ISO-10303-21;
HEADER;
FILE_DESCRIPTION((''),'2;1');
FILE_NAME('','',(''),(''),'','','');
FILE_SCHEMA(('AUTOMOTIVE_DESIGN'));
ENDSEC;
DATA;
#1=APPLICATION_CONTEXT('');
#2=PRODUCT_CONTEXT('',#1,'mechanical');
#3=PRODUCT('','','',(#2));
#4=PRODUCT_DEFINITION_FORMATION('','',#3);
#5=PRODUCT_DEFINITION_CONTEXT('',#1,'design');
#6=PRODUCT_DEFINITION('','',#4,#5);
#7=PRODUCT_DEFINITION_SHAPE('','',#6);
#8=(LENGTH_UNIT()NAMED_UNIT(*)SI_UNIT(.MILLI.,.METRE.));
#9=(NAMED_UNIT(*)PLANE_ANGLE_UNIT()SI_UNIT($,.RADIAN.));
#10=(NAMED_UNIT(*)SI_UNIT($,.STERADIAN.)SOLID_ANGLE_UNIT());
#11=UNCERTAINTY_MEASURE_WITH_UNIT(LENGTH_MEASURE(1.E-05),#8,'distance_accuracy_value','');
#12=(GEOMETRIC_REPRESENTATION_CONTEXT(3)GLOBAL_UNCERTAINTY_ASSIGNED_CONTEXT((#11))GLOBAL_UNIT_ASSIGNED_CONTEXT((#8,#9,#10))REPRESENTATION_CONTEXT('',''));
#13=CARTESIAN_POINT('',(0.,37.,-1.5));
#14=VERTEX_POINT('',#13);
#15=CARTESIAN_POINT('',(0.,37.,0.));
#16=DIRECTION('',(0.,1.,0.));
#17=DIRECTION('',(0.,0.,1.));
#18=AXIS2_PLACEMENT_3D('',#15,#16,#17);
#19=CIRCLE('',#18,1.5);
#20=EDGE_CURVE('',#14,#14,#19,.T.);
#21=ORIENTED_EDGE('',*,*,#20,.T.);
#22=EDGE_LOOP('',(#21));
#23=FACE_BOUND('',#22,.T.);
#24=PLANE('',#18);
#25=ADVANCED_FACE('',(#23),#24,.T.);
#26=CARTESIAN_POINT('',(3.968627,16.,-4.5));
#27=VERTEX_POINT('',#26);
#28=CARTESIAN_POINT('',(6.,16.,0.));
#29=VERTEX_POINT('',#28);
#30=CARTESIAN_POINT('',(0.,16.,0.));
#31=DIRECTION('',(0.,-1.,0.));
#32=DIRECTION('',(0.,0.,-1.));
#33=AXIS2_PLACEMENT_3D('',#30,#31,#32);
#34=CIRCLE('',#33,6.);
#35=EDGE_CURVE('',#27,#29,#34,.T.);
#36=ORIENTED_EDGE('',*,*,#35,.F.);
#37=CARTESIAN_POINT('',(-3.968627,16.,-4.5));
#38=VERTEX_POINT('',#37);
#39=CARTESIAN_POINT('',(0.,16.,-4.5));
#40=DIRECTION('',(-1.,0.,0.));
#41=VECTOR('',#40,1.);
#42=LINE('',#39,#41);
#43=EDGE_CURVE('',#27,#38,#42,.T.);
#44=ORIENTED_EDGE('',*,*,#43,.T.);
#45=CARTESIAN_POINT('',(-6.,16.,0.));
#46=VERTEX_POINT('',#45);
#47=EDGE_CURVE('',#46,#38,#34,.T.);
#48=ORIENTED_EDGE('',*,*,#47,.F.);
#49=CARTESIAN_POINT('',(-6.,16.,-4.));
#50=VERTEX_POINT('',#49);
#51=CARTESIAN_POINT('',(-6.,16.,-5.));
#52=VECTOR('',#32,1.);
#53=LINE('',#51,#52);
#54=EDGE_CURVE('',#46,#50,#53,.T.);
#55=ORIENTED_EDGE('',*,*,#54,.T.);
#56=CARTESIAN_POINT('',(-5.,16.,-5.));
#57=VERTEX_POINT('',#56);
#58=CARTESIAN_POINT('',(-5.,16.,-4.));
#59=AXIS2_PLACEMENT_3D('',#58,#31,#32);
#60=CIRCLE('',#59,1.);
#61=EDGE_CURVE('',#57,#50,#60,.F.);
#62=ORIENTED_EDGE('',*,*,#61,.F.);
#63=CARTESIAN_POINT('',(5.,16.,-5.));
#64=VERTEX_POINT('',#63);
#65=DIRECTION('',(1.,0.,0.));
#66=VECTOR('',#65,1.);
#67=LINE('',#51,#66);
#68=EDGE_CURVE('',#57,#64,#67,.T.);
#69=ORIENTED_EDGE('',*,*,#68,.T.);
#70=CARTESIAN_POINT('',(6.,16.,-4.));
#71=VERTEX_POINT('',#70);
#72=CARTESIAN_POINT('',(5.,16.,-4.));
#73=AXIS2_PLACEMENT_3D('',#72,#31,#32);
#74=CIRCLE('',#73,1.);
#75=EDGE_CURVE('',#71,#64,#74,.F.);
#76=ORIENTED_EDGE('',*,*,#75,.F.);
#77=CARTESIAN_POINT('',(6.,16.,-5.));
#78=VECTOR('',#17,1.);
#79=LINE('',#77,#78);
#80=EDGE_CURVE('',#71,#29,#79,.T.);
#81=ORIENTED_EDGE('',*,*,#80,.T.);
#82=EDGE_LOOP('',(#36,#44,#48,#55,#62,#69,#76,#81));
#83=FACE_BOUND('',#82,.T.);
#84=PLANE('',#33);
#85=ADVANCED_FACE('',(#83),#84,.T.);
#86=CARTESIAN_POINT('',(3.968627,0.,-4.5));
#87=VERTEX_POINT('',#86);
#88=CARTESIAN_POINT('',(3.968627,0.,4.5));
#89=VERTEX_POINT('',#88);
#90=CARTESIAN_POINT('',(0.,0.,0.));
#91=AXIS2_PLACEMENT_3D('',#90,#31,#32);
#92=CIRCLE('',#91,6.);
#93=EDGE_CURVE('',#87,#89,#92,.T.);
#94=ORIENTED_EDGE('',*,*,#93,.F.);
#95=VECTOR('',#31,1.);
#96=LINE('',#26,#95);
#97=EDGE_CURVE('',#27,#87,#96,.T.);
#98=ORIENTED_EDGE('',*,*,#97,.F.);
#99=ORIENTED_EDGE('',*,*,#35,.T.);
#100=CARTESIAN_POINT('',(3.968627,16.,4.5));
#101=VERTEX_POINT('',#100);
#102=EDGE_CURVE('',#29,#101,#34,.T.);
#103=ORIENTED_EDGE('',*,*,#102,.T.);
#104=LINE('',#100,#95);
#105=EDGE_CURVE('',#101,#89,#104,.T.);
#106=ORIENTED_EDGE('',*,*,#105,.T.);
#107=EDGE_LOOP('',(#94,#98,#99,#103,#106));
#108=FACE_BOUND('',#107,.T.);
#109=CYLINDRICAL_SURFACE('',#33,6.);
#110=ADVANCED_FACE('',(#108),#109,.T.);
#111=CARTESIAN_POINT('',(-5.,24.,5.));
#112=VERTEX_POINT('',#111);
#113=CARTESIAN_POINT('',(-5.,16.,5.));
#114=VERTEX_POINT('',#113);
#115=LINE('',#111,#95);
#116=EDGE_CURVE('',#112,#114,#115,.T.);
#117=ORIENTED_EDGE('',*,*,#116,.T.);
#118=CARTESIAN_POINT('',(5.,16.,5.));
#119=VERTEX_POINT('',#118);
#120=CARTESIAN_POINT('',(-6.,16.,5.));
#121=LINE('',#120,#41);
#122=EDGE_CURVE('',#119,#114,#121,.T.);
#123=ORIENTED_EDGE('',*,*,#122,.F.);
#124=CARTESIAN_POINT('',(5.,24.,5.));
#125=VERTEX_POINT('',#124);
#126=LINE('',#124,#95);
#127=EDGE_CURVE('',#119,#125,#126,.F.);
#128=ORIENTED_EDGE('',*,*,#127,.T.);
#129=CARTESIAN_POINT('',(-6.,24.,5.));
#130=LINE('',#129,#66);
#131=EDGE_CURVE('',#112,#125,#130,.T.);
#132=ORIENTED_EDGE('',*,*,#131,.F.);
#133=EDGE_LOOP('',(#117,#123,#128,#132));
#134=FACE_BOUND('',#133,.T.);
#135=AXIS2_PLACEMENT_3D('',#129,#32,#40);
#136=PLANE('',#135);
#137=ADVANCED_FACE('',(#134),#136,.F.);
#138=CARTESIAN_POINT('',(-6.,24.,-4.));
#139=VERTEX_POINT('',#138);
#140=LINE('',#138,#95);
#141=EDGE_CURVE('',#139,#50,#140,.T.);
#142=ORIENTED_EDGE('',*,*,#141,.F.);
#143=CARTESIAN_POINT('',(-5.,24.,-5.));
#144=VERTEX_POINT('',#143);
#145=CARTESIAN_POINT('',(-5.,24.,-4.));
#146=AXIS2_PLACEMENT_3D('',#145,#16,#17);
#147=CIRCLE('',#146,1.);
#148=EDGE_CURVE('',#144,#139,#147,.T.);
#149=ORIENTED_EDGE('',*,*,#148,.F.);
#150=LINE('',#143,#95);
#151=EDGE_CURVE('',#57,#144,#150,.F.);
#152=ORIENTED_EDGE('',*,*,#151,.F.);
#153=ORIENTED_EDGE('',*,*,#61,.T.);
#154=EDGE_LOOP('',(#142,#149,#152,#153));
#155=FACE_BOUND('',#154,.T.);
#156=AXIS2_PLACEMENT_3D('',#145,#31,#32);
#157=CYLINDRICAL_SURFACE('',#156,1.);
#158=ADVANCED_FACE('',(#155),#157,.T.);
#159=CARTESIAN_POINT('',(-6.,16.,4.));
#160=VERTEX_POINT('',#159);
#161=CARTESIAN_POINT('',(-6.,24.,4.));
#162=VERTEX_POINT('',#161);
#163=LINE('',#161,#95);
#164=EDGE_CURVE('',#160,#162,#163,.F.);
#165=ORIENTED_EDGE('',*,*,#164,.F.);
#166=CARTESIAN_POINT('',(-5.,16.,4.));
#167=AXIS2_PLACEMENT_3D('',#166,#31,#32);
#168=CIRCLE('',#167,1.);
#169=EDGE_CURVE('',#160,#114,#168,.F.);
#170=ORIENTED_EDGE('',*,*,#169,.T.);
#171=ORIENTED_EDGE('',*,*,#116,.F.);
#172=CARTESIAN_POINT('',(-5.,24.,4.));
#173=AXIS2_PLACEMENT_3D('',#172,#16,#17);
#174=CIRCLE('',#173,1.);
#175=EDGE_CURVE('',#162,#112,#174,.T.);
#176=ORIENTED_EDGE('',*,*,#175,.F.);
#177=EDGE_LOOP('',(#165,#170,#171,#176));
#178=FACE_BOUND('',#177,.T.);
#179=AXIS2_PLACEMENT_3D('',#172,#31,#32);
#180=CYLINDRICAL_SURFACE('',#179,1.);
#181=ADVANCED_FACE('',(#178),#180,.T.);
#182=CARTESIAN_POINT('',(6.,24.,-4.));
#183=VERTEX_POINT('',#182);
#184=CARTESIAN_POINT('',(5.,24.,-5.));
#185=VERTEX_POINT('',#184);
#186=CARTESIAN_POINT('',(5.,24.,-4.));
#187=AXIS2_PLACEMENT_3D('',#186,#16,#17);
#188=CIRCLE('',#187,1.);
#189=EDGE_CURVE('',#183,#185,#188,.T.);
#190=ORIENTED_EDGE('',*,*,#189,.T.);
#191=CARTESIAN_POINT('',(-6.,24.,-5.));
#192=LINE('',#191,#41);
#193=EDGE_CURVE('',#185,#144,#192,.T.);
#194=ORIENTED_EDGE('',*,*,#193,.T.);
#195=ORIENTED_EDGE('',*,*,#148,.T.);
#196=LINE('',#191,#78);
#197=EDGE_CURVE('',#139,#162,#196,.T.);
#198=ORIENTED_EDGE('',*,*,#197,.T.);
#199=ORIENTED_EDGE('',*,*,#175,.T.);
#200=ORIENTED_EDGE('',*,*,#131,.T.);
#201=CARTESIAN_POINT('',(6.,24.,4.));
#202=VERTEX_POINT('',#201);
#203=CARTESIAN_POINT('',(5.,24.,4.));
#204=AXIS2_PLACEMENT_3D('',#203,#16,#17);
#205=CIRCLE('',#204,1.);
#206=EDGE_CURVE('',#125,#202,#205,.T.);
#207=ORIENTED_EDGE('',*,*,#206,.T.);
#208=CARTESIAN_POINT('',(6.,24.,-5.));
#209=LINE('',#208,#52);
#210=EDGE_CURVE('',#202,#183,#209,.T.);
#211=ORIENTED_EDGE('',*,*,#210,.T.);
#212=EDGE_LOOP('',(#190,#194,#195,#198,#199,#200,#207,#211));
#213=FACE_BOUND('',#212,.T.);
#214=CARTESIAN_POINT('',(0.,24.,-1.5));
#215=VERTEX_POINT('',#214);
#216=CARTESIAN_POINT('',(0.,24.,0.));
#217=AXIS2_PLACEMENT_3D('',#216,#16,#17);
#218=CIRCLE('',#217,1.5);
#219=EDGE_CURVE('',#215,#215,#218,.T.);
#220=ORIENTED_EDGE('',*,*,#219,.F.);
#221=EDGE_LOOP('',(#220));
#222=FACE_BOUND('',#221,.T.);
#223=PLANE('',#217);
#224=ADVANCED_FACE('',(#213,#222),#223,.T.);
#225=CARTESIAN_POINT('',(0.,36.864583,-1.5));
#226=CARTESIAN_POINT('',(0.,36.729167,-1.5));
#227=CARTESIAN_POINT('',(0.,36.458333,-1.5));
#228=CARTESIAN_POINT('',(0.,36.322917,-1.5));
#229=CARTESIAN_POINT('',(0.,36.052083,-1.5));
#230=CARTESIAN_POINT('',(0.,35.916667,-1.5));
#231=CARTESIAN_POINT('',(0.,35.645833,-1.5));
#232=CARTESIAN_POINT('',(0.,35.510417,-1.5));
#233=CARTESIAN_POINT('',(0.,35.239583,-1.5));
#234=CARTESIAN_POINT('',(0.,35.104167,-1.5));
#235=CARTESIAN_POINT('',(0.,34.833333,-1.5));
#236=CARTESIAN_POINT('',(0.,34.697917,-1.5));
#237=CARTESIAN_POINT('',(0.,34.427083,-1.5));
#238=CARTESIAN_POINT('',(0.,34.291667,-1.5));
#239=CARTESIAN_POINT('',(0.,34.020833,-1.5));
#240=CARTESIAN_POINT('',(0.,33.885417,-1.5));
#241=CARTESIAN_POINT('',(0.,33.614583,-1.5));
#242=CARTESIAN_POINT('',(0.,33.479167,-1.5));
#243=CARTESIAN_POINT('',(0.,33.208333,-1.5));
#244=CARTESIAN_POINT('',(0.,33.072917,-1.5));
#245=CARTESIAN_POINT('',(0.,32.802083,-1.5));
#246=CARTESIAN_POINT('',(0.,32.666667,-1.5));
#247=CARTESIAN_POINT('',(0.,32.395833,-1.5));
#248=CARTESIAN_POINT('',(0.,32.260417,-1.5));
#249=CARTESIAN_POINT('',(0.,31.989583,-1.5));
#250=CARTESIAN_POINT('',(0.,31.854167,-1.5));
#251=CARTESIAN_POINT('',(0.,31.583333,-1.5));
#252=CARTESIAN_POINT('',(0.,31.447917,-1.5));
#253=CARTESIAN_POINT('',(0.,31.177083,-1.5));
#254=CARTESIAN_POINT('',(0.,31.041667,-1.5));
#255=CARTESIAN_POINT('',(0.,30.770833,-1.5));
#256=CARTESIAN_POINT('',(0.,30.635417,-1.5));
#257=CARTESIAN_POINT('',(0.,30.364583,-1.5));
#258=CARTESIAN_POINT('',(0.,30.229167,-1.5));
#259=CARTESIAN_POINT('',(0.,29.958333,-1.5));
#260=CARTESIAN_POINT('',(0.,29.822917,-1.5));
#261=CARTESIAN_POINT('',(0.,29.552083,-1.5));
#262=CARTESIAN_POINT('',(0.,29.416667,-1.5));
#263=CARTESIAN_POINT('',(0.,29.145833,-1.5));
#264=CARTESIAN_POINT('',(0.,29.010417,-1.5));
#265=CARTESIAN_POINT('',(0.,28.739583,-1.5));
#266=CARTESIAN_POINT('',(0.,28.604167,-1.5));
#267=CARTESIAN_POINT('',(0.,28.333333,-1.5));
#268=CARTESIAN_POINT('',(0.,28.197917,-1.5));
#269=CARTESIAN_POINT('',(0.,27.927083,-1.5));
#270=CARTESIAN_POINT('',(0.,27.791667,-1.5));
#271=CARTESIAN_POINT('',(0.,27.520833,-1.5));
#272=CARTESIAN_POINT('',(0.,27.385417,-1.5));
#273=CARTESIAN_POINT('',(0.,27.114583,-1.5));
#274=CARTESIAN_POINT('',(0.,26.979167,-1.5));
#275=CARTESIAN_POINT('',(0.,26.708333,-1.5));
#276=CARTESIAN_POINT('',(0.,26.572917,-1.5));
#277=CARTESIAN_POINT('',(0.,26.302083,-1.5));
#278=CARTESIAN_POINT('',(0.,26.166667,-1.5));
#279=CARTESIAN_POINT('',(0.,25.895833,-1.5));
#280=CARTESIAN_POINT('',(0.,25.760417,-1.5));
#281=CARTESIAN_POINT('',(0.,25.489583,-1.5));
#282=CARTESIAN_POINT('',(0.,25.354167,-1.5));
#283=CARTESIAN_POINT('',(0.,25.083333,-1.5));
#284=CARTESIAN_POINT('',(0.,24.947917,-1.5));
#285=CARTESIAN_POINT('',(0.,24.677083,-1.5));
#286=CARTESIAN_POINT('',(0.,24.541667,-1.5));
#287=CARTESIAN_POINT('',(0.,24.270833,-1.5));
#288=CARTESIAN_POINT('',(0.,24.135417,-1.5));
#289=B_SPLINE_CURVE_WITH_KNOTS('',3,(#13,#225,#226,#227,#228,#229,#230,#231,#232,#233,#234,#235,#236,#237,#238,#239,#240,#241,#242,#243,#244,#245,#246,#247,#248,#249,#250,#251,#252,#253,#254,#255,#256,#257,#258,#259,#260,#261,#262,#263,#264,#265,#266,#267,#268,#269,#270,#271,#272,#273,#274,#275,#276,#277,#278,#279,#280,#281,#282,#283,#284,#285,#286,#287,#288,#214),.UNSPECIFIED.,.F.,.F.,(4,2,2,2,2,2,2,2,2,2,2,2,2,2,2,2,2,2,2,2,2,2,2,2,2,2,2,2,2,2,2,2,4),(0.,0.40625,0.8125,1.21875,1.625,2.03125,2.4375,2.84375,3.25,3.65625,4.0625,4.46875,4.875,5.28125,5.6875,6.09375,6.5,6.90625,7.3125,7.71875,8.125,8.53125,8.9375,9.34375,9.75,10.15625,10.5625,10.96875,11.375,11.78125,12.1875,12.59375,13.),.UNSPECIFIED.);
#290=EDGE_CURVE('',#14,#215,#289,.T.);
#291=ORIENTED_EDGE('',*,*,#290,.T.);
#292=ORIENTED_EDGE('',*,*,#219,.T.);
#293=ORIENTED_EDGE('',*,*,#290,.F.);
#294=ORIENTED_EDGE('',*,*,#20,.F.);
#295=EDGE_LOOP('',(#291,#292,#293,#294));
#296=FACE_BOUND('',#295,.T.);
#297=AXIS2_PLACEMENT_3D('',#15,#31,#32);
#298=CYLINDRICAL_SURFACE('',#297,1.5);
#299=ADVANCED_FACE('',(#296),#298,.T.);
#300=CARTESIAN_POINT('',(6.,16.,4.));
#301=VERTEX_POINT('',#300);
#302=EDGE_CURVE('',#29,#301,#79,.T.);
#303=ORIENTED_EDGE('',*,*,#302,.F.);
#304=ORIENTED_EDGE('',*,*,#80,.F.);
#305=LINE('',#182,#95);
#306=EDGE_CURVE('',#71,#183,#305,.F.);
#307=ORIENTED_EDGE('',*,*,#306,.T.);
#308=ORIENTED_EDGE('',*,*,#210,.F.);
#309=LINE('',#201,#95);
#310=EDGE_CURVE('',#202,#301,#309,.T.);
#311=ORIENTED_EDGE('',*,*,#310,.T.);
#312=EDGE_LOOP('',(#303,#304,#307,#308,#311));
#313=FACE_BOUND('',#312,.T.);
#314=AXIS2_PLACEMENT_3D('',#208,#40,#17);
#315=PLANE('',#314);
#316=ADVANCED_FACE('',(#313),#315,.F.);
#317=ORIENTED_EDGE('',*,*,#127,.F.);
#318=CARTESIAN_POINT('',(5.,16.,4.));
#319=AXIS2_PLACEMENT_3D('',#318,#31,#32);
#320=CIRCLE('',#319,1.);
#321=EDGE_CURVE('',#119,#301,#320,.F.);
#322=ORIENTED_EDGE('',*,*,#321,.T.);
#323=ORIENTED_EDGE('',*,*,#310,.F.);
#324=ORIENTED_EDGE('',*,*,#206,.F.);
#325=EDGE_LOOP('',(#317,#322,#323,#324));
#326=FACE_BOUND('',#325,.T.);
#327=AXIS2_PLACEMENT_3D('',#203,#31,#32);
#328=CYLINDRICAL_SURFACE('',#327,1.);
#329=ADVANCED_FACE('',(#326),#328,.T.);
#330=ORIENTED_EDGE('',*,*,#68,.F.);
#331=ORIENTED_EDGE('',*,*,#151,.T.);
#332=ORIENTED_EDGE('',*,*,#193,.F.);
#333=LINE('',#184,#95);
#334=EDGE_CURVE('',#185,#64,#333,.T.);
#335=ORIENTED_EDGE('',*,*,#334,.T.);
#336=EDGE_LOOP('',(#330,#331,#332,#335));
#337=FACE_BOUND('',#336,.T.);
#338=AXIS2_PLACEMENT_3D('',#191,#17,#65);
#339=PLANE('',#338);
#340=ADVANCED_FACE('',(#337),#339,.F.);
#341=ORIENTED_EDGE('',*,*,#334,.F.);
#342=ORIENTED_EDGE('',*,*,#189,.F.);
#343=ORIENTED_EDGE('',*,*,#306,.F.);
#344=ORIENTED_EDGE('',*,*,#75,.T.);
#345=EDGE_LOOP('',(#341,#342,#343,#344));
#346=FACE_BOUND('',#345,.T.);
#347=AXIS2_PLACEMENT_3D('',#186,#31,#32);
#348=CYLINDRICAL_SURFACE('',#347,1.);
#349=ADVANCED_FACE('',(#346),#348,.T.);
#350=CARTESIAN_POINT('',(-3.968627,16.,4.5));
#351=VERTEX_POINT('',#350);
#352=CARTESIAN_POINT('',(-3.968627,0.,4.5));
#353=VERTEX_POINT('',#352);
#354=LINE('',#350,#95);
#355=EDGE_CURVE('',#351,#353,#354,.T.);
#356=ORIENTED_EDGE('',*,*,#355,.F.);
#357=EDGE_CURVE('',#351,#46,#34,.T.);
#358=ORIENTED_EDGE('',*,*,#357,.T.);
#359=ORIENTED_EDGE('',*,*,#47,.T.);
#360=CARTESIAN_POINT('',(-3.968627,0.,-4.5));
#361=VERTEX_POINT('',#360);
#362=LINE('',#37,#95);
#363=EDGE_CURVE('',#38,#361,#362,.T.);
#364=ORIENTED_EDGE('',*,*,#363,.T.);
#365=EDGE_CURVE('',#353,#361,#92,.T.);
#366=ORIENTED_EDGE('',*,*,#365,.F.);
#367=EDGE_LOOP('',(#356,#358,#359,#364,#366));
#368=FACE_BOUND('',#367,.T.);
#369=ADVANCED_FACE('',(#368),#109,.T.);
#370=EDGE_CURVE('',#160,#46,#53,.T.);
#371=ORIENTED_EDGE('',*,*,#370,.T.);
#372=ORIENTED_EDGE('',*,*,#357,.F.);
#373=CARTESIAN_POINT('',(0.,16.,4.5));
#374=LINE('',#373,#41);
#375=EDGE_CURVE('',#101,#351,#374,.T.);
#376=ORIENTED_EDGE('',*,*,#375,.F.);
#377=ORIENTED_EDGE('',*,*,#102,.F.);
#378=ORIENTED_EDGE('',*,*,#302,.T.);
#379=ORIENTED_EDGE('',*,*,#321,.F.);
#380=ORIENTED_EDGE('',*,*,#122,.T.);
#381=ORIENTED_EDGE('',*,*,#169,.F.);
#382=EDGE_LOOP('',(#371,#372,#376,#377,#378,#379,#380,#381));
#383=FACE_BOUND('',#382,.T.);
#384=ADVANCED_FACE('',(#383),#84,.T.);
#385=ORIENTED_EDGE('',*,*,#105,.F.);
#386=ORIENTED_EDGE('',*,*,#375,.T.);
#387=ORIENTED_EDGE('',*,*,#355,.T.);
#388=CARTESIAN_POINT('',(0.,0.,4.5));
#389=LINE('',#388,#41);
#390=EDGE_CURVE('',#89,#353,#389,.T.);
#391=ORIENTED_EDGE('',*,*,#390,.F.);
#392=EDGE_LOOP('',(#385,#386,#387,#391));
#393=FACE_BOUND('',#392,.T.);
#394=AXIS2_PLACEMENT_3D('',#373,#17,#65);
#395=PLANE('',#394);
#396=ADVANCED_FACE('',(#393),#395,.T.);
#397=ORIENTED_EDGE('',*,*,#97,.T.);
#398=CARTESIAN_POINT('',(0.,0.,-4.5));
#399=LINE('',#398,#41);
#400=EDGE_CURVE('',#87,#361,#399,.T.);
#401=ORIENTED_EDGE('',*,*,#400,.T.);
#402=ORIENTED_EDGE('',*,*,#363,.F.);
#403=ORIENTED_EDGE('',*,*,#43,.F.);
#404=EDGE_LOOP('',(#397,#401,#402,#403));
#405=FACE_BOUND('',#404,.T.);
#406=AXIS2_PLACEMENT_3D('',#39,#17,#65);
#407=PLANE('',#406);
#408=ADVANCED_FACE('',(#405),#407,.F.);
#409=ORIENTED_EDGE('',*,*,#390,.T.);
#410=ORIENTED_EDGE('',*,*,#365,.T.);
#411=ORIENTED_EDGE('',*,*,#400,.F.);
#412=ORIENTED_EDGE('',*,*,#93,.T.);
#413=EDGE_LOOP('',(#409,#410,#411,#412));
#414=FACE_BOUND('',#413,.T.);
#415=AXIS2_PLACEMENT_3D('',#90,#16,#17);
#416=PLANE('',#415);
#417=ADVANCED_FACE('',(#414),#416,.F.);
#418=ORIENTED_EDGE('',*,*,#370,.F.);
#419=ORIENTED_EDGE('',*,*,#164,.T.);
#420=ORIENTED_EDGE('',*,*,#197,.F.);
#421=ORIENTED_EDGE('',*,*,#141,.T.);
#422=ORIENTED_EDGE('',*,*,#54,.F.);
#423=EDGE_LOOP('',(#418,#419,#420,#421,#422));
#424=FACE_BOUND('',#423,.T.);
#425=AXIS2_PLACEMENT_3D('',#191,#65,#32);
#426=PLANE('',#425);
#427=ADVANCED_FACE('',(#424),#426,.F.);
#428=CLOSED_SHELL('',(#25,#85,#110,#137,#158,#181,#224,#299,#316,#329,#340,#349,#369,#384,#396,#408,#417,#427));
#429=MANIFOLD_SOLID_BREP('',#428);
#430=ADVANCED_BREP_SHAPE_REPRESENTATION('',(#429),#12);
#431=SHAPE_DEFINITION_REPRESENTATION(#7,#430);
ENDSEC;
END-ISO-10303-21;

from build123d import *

# Parameters (mm, degrees)
SKETCH_1_W          = 12
SKETCH_1_H          = 10
EXTRUDE_1_DEPTH     = 24
FILLET_1_R          = 1
SKETCH_2_OUTSIDE_W  = 19.728
SKETCH_2_OUTSIDE_H  = 17.728
CUT_EXTRUDE_1_DEPTH = 16
SKETCH_3_R          = 1.5
EXTRUDE_2_DEPTH     = 13


with BuildPart() as part:
    # 草图1 → 凸台-拉伸1 (new body)
    with BuildSketch(Plane(origin=(0, 0, 0), x_dir=(1, 0, 0), z_dir=(0, 1, 0))):
        Rectangle(SKETCH_1_W, SKETCH_1_H)
    extrude(amount=EXTRUDE_1_DEPTH)

    # 圆角1
    fillet_1_edges = [part.edges().sort_by_distance(p)[0] for p in [
        (6, 12, 5),
        (-6, 12, 5),
        (-6, 12, -5),
        (6, 12, -5),
    ]]
    fillet(fillet_1_edges, radius=FILLET_1_R)

    # 草图2 outside → 切除-拉伸1 (cut)
    with BuildSketch(Plane.XZ):
        Rectangle(SKETCH_2_OUTSIDE_W, SKETCH_2_OUTSIDE_H)
        with BuildLine():
            Line((-3.968626967, -4.5), (3.968626967, -4.5))
            ThreePointArc((3.968626967, -4.5), (5.468626967, -2.468626967), (6, 0))
            ThreePointArc((6, 0), (5.468626967, 2.468626967), (3.968626967, 4.5))
            Line((3.968626967, 4.5), (-3.968626967, 4.5))
            ThreePointArc((-3.968626967, 4.5), (-5.468626967, 2.468626967), (-6, 0))
            ThreePointArc((-6, 0), (-5.468626967, -2.468626967), (-3.968626967, -4.5))
        make_face(mode=Mode.SUBTRACT)
    extrude(amount=-CUT_EXTRUDE_1_DEPTH, mode=Mode.SUBTRACT)

    # 草图3 → 凸台-拉伸2 (add)
    with BuildSketch(Plane(origin=(0, 24, 0), x_dir=(1, 0, 0), z_dir=(0, 1, 0))):
        with Locations(Location((0, 0, 0), (0, 0, 90))):
            Circle(SKETCH_3_R)
    extrude(amount=EXTRUDE_2_DEPTH)


solid = part.part
